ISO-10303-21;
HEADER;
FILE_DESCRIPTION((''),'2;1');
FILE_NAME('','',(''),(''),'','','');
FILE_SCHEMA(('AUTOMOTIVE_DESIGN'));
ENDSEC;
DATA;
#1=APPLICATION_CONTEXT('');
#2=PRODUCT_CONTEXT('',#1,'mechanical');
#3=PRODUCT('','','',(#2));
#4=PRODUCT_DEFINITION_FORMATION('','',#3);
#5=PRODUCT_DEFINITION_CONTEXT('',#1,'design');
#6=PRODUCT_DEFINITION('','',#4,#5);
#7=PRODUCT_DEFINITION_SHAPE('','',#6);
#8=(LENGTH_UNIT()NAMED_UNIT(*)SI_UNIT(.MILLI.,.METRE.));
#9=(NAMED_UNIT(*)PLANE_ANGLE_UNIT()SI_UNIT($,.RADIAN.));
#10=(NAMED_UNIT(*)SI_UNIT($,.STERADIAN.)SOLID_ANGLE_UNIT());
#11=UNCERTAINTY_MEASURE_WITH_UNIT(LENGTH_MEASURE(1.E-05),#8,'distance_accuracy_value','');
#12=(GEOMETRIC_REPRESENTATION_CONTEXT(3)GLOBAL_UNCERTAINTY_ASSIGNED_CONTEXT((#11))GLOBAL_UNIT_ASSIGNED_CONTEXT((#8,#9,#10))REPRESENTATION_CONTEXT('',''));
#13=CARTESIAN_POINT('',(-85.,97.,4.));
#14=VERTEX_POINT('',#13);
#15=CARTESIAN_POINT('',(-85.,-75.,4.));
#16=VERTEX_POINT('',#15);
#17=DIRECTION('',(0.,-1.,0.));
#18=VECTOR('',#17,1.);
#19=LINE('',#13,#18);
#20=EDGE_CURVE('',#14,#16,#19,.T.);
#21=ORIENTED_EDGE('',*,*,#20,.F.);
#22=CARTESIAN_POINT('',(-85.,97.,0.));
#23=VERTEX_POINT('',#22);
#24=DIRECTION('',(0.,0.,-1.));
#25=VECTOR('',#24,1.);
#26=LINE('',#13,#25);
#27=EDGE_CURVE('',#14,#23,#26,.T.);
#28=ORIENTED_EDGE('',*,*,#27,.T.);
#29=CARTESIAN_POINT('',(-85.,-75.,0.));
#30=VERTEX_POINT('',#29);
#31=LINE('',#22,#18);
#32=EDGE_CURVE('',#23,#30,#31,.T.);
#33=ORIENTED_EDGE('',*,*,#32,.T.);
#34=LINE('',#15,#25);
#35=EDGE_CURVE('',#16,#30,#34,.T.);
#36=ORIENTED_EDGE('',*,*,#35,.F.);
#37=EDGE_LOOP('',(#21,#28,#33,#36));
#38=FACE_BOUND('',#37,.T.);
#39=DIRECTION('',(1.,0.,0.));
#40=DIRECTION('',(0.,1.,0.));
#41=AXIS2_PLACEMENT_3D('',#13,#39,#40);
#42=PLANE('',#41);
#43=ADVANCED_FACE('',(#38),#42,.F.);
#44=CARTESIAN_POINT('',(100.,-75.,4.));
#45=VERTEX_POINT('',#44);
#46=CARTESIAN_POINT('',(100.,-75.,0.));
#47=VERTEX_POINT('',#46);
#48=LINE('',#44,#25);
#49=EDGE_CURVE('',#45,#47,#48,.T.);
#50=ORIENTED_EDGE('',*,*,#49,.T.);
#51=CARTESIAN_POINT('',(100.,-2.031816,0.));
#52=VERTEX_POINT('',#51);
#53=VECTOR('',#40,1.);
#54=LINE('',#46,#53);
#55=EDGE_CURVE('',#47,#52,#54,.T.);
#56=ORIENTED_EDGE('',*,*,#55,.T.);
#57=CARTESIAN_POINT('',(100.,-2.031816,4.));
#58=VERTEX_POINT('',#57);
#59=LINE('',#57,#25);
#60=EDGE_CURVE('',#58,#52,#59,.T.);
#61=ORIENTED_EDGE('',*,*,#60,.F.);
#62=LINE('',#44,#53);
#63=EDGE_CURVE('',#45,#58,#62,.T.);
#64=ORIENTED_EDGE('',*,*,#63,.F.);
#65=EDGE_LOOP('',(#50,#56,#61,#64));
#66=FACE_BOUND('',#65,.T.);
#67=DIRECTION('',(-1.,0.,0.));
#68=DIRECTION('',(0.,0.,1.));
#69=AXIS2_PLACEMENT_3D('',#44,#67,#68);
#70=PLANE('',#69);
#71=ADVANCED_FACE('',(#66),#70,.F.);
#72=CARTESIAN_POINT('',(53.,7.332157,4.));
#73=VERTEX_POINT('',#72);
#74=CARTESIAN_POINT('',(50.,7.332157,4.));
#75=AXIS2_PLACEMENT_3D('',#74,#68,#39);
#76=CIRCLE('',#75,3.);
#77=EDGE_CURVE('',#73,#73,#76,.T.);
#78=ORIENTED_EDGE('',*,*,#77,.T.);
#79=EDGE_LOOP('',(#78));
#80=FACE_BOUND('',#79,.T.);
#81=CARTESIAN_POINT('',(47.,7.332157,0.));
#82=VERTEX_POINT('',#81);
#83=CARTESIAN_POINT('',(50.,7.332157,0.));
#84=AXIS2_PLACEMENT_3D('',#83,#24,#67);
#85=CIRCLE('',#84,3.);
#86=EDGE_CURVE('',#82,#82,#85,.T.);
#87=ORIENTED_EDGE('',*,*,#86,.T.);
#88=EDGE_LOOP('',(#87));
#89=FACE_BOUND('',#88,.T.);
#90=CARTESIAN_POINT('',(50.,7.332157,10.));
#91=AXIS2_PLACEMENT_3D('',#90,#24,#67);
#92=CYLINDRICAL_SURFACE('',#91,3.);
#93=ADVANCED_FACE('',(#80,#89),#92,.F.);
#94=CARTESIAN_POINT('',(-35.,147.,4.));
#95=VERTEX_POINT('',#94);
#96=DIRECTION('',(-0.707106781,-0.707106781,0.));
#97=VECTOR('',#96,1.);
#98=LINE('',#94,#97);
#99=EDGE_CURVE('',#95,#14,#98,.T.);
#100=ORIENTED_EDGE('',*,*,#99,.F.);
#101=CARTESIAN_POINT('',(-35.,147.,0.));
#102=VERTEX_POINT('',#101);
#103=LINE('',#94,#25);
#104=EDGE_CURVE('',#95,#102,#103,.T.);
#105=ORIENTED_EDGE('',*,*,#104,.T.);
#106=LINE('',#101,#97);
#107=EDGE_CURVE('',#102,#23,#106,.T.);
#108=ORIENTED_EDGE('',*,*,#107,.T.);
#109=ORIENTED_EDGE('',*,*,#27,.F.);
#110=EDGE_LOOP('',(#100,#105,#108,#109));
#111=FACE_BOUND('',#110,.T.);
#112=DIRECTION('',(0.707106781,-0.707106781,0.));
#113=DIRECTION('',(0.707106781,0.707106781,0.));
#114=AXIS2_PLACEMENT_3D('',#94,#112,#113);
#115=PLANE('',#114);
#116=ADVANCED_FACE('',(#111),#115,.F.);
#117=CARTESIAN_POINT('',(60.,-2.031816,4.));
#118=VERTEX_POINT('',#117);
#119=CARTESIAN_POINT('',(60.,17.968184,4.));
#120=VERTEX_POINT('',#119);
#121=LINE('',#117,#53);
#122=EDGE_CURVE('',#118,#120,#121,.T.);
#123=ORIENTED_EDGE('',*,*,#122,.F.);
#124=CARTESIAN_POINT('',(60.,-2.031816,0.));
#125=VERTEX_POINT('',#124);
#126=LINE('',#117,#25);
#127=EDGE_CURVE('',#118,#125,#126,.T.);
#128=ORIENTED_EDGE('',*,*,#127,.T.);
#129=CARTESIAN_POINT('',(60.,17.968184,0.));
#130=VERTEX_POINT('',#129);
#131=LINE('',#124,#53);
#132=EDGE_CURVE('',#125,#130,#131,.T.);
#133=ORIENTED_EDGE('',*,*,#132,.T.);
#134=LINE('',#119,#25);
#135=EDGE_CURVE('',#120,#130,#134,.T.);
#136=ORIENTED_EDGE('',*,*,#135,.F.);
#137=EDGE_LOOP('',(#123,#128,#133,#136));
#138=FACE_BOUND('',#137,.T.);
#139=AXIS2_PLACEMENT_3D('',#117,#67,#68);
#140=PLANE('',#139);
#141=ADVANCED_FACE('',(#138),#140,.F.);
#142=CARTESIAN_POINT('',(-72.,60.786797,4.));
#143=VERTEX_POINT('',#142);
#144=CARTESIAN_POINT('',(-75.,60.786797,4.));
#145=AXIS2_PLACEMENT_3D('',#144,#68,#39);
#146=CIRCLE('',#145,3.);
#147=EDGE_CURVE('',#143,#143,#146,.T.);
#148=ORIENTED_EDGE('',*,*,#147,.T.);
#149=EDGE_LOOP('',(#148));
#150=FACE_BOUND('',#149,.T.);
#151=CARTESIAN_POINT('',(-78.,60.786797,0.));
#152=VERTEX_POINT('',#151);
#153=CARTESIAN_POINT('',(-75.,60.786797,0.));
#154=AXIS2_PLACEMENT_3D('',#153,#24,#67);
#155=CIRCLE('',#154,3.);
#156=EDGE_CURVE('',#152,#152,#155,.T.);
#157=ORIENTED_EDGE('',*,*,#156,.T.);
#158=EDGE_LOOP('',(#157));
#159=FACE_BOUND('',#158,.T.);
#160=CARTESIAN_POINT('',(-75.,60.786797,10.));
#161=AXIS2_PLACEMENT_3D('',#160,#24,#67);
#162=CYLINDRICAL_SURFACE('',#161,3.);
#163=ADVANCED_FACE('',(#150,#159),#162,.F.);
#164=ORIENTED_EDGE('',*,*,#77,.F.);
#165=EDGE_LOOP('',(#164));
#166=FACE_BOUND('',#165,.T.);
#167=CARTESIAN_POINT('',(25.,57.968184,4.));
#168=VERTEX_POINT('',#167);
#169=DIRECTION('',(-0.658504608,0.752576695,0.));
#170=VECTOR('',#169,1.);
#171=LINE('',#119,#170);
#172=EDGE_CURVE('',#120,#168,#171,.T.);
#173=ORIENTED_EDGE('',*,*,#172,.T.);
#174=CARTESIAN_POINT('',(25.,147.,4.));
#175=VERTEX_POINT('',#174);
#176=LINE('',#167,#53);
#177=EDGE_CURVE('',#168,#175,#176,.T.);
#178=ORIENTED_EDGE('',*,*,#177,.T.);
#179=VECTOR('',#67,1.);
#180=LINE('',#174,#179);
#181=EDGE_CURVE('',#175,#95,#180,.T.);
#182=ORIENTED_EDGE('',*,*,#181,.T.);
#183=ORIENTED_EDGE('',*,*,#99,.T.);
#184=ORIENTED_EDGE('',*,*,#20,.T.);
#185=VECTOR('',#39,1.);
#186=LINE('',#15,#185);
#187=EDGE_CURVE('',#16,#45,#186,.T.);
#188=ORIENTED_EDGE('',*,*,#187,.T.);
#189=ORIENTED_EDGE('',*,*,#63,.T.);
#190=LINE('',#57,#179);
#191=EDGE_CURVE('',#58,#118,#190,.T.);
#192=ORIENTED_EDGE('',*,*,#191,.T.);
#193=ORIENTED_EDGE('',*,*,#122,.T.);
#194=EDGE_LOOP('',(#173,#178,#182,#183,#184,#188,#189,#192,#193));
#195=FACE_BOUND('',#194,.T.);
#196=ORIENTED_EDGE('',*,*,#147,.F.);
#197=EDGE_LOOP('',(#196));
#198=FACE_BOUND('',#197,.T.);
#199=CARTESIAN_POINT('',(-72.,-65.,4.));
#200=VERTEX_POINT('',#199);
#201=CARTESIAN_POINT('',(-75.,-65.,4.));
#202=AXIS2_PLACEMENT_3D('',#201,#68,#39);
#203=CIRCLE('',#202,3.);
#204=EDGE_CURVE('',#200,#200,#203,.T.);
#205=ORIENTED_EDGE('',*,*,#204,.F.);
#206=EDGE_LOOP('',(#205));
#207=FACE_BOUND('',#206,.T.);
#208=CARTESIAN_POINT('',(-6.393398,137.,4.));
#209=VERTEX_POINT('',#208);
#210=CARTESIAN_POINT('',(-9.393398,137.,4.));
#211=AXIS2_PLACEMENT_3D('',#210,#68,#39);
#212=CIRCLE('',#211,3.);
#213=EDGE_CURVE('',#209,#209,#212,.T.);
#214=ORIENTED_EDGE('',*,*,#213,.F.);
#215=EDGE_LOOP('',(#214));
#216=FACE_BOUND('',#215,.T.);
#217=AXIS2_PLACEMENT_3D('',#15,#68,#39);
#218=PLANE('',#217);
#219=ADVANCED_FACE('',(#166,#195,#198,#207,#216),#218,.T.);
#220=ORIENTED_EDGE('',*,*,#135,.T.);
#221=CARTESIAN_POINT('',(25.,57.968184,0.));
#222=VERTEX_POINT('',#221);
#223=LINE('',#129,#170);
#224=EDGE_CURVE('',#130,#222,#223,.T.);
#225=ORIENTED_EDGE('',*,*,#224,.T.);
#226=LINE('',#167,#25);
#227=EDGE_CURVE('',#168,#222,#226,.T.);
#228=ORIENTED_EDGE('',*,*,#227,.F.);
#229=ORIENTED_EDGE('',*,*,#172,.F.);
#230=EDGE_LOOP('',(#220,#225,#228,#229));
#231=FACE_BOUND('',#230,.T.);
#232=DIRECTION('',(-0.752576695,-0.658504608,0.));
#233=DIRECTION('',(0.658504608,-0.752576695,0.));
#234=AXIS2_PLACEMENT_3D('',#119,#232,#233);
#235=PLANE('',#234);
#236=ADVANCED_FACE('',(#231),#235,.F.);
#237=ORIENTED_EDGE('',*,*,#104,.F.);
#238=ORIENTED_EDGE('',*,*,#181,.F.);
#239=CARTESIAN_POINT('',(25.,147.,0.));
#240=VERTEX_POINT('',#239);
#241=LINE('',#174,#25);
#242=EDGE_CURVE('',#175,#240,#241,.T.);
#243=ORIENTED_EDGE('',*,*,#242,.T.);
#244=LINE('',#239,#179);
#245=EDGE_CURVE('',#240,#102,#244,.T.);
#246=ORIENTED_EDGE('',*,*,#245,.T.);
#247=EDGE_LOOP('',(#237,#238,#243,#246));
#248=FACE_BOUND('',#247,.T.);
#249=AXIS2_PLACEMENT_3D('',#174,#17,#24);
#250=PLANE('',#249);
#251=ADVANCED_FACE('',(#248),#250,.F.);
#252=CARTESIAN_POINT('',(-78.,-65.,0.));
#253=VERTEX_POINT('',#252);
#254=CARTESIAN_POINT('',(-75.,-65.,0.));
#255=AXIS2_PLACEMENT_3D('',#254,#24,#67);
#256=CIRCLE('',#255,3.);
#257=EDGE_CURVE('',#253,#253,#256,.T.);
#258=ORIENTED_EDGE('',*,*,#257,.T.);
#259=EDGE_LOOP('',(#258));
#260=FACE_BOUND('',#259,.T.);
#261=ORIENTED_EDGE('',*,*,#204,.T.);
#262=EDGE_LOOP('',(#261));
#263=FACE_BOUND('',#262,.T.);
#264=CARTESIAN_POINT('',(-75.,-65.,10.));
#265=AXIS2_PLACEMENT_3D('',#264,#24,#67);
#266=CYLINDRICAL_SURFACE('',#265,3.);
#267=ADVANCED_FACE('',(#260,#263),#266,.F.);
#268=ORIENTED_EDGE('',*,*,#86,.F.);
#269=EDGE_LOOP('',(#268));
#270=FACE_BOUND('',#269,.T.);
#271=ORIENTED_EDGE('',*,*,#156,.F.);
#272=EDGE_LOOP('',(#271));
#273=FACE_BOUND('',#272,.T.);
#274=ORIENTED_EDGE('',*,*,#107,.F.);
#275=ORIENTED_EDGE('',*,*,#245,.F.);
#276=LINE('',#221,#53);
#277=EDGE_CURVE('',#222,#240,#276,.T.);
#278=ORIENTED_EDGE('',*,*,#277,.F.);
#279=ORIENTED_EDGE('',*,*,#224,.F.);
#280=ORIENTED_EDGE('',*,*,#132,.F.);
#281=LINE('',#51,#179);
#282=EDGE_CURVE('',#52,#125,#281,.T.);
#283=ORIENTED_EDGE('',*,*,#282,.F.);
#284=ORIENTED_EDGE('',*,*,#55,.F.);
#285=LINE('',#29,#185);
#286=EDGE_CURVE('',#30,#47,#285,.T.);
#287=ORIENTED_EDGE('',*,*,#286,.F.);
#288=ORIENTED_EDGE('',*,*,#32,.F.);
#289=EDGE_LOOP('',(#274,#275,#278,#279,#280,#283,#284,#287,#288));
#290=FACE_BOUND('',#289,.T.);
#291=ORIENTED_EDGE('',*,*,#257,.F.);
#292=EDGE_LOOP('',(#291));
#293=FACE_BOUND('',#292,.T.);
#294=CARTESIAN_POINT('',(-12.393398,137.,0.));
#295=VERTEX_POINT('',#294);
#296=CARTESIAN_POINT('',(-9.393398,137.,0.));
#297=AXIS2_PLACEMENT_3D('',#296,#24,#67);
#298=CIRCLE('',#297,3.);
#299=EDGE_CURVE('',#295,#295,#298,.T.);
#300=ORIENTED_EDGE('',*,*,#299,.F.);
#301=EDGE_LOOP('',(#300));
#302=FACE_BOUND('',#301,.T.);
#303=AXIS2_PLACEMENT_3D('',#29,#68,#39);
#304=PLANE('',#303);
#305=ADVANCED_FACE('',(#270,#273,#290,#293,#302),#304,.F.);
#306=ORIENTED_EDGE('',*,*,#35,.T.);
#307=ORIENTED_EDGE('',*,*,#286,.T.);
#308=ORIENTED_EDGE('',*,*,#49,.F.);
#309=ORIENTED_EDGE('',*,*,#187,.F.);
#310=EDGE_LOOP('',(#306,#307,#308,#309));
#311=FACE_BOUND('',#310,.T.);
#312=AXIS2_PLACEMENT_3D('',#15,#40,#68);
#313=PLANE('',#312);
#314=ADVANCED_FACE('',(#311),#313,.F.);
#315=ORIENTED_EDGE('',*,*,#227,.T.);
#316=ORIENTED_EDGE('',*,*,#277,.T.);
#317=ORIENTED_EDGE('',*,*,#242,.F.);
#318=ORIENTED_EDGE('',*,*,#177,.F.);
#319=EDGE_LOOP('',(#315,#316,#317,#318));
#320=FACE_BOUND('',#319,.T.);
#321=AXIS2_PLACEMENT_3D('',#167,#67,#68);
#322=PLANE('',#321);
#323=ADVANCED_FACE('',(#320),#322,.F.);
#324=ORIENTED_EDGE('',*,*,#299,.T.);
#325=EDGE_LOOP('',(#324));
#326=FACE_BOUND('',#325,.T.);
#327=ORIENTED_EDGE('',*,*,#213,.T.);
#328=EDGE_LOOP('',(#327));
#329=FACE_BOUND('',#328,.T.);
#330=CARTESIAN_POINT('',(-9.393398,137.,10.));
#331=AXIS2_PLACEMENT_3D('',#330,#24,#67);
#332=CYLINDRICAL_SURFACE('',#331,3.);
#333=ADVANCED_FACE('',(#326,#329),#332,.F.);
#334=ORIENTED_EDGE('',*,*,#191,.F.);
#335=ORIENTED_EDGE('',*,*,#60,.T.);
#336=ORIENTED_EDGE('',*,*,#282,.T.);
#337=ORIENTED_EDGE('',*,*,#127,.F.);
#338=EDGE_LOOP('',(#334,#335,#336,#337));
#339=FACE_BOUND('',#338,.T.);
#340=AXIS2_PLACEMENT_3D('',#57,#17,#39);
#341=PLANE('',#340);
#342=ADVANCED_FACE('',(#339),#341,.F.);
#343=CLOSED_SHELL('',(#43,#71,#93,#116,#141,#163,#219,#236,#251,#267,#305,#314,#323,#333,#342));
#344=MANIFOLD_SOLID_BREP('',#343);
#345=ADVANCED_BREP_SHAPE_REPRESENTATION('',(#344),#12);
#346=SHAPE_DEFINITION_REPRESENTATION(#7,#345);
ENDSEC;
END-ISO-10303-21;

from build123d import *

# Parameters (mm, degrees)
EXTRUDE_1_DEPTH     = 4
SKETCH_2_R          = 3
CUT_EXTRUDE_1_DEPTH = 10


with BuildPart() as part:
    # 草图1 → 凸台-拉伸1 (new body)
    with BuildSketch(Plane.XY):
        Polygon((-85, -75), (100, -75), (100, -2.031815791), (60, -2.031815791), (60, 17.968184209), (25, 57.968184209), (25, 147), (-35, 147), (-85, 97), align=None)
    extrude(amount=EXTRUDE_1_DEPTH)

    # 草图2 → 切除-拉伸1 (cut)
    with BuildSketch(Plane(origin=(0, 0, 0), x_dir=(-1, 0, 0), z_dir=(0, 0, -1))):
        with Locations((75, -65)):
            Circle(SKETCH_2_R)
        with Locations((-50, 7.332157467)):
            Circle(SKETCH_2_R)
        with Locations((9.393398282, 137)):
            Circle(SKETCH_2_R)
        with Locations((75, 60.786796564)):
            Circle(SKETCH_2_R)
    extrude(amount=-CUT_EXTRUDE_1_DEPTH, mode=Mode.SUBTRACT)


solid = part.part
